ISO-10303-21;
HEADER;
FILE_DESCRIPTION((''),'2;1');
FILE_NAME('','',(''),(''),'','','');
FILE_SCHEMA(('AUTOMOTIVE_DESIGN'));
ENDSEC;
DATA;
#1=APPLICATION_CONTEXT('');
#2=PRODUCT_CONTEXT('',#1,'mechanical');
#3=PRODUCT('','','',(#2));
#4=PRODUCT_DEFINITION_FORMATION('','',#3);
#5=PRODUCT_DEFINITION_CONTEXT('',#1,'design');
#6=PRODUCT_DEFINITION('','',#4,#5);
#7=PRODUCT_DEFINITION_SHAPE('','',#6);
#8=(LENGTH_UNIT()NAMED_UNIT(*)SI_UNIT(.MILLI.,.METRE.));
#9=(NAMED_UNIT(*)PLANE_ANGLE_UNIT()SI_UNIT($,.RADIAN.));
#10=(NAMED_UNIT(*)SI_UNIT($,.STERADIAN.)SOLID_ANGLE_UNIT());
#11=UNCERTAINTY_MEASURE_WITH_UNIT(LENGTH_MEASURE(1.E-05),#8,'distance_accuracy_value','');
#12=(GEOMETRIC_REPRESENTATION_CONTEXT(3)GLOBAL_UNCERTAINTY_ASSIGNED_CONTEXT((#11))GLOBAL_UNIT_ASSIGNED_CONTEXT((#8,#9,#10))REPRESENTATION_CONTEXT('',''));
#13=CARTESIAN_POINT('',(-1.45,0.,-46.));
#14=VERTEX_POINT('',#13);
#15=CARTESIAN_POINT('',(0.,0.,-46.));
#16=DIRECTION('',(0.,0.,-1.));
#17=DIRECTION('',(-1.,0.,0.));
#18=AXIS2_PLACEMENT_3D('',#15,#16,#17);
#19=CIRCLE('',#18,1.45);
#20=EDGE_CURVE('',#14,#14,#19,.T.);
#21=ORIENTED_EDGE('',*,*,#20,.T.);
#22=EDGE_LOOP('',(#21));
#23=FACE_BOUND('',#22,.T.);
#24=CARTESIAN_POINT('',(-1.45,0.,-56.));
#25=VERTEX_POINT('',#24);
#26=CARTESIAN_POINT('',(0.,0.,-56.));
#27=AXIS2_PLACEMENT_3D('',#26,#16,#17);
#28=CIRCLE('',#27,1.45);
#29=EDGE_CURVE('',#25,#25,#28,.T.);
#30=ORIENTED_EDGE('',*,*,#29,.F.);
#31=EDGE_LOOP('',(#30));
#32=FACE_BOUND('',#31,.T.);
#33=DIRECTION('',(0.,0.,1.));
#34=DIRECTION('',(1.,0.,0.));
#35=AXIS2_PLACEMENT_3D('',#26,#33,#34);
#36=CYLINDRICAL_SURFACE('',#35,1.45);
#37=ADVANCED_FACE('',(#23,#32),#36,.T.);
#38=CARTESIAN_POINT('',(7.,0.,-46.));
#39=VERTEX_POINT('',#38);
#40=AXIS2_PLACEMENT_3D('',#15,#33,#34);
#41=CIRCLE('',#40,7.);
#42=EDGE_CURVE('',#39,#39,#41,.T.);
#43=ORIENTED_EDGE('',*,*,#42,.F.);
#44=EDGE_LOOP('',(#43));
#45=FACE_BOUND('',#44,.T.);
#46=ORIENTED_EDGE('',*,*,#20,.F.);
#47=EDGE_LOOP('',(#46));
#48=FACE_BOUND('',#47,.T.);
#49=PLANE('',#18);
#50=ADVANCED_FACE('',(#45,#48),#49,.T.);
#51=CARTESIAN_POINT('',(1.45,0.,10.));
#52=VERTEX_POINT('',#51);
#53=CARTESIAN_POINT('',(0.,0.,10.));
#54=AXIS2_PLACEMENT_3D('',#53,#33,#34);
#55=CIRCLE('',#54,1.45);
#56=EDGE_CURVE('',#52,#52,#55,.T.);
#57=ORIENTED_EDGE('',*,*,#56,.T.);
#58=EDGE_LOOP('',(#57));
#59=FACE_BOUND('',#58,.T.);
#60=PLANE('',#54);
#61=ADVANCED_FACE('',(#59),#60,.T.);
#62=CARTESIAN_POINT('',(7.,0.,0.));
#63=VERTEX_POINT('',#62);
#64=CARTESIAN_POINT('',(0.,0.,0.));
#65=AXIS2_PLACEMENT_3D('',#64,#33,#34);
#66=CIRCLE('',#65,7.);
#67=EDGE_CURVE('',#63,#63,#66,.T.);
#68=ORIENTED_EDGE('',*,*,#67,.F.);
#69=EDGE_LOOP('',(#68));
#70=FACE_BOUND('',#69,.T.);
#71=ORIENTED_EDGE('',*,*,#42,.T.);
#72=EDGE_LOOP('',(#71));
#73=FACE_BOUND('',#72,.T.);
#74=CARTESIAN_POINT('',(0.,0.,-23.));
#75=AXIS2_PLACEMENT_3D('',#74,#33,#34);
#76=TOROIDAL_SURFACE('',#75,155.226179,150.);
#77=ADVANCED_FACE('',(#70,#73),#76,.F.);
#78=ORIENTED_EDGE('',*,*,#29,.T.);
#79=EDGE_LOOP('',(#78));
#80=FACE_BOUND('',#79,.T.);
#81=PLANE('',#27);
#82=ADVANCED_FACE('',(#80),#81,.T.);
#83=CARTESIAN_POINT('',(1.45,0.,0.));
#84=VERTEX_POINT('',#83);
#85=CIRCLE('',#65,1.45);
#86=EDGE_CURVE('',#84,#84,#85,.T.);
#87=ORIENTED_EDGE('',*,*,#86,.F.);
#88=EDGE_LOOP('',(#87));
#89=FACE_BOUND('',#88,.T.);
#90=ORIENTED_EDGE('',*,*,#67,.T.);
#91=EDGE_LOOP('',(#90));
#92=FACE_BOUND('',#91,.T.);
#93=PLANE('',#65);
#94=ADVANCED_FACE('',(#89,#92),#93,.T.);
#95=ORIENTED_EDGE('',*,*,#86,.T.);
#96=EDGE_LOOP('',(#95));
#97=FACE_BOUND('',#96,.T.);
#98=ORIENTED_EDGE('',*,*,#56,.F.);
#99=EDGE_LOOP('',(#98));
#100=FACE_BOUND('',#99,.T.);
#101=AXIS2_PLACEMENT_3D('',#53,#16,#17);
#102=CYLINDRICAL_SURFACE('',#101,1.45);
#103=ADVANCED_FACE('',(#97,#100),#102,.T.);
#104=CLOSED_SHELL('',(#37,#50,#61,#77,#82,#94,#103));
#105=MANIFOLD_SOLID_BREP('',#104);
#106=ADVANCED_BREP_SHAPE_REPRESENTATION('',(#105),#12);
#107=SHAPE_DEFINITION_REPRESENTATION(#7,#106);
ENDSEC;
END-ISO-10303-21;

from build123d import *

# Parameters (mm, degrees)
SKETCH2_R           = 1.45
BOSS_EXTRUDE1_DEPTH = 10
BOSS_EXTRUDE2_START = 10
SKETCH3_R           = 1.45
BOSS_EXTRUDE2_DEPTH = 10


with BuildPart() as part:
    # Sketch1 → Revolve1 (revolve)
    with BuildSketch(Plane(origin=(0, 0, 0), x_dir=(1, 0, 0), z_dir=(0, 1, 0))):
        with BuildLine():
            Line((0, 0), (0, 46))
            Line((0, 46), (7, 46))
            ThreePointArc((7, 46), (5.226178525, 23), (7, 0))
            Line((7, 0), (0, 0))
        make_face()
    revolve(axis=Axis((0, 0, 0), (0, 0, -1)))

    # Sketch2 → Boss-Extrude1 (add)
    with BuildSketch(Plane.XY):
        Circle(SKETCH2_R)
    extrude(amount=BOSS_EXTRUDE1_DEPTH)

    # Sketch3 → Boss-Extrude2 (add)
    with BuildSketch(Plane(origin=(0, 0, -46), x_dir=(-1, 0, 0), z_dir=(0, 0, -1)).offset(BOSS_EXTRUDE2_START)):
        with Locations(Location((0, 0, 0), (0, 0, 180))):
            Circle(SKETCH3_R)
    extrude(amount=-BOSS_EXTRUDE2_DEPTH)


solid = part.part
